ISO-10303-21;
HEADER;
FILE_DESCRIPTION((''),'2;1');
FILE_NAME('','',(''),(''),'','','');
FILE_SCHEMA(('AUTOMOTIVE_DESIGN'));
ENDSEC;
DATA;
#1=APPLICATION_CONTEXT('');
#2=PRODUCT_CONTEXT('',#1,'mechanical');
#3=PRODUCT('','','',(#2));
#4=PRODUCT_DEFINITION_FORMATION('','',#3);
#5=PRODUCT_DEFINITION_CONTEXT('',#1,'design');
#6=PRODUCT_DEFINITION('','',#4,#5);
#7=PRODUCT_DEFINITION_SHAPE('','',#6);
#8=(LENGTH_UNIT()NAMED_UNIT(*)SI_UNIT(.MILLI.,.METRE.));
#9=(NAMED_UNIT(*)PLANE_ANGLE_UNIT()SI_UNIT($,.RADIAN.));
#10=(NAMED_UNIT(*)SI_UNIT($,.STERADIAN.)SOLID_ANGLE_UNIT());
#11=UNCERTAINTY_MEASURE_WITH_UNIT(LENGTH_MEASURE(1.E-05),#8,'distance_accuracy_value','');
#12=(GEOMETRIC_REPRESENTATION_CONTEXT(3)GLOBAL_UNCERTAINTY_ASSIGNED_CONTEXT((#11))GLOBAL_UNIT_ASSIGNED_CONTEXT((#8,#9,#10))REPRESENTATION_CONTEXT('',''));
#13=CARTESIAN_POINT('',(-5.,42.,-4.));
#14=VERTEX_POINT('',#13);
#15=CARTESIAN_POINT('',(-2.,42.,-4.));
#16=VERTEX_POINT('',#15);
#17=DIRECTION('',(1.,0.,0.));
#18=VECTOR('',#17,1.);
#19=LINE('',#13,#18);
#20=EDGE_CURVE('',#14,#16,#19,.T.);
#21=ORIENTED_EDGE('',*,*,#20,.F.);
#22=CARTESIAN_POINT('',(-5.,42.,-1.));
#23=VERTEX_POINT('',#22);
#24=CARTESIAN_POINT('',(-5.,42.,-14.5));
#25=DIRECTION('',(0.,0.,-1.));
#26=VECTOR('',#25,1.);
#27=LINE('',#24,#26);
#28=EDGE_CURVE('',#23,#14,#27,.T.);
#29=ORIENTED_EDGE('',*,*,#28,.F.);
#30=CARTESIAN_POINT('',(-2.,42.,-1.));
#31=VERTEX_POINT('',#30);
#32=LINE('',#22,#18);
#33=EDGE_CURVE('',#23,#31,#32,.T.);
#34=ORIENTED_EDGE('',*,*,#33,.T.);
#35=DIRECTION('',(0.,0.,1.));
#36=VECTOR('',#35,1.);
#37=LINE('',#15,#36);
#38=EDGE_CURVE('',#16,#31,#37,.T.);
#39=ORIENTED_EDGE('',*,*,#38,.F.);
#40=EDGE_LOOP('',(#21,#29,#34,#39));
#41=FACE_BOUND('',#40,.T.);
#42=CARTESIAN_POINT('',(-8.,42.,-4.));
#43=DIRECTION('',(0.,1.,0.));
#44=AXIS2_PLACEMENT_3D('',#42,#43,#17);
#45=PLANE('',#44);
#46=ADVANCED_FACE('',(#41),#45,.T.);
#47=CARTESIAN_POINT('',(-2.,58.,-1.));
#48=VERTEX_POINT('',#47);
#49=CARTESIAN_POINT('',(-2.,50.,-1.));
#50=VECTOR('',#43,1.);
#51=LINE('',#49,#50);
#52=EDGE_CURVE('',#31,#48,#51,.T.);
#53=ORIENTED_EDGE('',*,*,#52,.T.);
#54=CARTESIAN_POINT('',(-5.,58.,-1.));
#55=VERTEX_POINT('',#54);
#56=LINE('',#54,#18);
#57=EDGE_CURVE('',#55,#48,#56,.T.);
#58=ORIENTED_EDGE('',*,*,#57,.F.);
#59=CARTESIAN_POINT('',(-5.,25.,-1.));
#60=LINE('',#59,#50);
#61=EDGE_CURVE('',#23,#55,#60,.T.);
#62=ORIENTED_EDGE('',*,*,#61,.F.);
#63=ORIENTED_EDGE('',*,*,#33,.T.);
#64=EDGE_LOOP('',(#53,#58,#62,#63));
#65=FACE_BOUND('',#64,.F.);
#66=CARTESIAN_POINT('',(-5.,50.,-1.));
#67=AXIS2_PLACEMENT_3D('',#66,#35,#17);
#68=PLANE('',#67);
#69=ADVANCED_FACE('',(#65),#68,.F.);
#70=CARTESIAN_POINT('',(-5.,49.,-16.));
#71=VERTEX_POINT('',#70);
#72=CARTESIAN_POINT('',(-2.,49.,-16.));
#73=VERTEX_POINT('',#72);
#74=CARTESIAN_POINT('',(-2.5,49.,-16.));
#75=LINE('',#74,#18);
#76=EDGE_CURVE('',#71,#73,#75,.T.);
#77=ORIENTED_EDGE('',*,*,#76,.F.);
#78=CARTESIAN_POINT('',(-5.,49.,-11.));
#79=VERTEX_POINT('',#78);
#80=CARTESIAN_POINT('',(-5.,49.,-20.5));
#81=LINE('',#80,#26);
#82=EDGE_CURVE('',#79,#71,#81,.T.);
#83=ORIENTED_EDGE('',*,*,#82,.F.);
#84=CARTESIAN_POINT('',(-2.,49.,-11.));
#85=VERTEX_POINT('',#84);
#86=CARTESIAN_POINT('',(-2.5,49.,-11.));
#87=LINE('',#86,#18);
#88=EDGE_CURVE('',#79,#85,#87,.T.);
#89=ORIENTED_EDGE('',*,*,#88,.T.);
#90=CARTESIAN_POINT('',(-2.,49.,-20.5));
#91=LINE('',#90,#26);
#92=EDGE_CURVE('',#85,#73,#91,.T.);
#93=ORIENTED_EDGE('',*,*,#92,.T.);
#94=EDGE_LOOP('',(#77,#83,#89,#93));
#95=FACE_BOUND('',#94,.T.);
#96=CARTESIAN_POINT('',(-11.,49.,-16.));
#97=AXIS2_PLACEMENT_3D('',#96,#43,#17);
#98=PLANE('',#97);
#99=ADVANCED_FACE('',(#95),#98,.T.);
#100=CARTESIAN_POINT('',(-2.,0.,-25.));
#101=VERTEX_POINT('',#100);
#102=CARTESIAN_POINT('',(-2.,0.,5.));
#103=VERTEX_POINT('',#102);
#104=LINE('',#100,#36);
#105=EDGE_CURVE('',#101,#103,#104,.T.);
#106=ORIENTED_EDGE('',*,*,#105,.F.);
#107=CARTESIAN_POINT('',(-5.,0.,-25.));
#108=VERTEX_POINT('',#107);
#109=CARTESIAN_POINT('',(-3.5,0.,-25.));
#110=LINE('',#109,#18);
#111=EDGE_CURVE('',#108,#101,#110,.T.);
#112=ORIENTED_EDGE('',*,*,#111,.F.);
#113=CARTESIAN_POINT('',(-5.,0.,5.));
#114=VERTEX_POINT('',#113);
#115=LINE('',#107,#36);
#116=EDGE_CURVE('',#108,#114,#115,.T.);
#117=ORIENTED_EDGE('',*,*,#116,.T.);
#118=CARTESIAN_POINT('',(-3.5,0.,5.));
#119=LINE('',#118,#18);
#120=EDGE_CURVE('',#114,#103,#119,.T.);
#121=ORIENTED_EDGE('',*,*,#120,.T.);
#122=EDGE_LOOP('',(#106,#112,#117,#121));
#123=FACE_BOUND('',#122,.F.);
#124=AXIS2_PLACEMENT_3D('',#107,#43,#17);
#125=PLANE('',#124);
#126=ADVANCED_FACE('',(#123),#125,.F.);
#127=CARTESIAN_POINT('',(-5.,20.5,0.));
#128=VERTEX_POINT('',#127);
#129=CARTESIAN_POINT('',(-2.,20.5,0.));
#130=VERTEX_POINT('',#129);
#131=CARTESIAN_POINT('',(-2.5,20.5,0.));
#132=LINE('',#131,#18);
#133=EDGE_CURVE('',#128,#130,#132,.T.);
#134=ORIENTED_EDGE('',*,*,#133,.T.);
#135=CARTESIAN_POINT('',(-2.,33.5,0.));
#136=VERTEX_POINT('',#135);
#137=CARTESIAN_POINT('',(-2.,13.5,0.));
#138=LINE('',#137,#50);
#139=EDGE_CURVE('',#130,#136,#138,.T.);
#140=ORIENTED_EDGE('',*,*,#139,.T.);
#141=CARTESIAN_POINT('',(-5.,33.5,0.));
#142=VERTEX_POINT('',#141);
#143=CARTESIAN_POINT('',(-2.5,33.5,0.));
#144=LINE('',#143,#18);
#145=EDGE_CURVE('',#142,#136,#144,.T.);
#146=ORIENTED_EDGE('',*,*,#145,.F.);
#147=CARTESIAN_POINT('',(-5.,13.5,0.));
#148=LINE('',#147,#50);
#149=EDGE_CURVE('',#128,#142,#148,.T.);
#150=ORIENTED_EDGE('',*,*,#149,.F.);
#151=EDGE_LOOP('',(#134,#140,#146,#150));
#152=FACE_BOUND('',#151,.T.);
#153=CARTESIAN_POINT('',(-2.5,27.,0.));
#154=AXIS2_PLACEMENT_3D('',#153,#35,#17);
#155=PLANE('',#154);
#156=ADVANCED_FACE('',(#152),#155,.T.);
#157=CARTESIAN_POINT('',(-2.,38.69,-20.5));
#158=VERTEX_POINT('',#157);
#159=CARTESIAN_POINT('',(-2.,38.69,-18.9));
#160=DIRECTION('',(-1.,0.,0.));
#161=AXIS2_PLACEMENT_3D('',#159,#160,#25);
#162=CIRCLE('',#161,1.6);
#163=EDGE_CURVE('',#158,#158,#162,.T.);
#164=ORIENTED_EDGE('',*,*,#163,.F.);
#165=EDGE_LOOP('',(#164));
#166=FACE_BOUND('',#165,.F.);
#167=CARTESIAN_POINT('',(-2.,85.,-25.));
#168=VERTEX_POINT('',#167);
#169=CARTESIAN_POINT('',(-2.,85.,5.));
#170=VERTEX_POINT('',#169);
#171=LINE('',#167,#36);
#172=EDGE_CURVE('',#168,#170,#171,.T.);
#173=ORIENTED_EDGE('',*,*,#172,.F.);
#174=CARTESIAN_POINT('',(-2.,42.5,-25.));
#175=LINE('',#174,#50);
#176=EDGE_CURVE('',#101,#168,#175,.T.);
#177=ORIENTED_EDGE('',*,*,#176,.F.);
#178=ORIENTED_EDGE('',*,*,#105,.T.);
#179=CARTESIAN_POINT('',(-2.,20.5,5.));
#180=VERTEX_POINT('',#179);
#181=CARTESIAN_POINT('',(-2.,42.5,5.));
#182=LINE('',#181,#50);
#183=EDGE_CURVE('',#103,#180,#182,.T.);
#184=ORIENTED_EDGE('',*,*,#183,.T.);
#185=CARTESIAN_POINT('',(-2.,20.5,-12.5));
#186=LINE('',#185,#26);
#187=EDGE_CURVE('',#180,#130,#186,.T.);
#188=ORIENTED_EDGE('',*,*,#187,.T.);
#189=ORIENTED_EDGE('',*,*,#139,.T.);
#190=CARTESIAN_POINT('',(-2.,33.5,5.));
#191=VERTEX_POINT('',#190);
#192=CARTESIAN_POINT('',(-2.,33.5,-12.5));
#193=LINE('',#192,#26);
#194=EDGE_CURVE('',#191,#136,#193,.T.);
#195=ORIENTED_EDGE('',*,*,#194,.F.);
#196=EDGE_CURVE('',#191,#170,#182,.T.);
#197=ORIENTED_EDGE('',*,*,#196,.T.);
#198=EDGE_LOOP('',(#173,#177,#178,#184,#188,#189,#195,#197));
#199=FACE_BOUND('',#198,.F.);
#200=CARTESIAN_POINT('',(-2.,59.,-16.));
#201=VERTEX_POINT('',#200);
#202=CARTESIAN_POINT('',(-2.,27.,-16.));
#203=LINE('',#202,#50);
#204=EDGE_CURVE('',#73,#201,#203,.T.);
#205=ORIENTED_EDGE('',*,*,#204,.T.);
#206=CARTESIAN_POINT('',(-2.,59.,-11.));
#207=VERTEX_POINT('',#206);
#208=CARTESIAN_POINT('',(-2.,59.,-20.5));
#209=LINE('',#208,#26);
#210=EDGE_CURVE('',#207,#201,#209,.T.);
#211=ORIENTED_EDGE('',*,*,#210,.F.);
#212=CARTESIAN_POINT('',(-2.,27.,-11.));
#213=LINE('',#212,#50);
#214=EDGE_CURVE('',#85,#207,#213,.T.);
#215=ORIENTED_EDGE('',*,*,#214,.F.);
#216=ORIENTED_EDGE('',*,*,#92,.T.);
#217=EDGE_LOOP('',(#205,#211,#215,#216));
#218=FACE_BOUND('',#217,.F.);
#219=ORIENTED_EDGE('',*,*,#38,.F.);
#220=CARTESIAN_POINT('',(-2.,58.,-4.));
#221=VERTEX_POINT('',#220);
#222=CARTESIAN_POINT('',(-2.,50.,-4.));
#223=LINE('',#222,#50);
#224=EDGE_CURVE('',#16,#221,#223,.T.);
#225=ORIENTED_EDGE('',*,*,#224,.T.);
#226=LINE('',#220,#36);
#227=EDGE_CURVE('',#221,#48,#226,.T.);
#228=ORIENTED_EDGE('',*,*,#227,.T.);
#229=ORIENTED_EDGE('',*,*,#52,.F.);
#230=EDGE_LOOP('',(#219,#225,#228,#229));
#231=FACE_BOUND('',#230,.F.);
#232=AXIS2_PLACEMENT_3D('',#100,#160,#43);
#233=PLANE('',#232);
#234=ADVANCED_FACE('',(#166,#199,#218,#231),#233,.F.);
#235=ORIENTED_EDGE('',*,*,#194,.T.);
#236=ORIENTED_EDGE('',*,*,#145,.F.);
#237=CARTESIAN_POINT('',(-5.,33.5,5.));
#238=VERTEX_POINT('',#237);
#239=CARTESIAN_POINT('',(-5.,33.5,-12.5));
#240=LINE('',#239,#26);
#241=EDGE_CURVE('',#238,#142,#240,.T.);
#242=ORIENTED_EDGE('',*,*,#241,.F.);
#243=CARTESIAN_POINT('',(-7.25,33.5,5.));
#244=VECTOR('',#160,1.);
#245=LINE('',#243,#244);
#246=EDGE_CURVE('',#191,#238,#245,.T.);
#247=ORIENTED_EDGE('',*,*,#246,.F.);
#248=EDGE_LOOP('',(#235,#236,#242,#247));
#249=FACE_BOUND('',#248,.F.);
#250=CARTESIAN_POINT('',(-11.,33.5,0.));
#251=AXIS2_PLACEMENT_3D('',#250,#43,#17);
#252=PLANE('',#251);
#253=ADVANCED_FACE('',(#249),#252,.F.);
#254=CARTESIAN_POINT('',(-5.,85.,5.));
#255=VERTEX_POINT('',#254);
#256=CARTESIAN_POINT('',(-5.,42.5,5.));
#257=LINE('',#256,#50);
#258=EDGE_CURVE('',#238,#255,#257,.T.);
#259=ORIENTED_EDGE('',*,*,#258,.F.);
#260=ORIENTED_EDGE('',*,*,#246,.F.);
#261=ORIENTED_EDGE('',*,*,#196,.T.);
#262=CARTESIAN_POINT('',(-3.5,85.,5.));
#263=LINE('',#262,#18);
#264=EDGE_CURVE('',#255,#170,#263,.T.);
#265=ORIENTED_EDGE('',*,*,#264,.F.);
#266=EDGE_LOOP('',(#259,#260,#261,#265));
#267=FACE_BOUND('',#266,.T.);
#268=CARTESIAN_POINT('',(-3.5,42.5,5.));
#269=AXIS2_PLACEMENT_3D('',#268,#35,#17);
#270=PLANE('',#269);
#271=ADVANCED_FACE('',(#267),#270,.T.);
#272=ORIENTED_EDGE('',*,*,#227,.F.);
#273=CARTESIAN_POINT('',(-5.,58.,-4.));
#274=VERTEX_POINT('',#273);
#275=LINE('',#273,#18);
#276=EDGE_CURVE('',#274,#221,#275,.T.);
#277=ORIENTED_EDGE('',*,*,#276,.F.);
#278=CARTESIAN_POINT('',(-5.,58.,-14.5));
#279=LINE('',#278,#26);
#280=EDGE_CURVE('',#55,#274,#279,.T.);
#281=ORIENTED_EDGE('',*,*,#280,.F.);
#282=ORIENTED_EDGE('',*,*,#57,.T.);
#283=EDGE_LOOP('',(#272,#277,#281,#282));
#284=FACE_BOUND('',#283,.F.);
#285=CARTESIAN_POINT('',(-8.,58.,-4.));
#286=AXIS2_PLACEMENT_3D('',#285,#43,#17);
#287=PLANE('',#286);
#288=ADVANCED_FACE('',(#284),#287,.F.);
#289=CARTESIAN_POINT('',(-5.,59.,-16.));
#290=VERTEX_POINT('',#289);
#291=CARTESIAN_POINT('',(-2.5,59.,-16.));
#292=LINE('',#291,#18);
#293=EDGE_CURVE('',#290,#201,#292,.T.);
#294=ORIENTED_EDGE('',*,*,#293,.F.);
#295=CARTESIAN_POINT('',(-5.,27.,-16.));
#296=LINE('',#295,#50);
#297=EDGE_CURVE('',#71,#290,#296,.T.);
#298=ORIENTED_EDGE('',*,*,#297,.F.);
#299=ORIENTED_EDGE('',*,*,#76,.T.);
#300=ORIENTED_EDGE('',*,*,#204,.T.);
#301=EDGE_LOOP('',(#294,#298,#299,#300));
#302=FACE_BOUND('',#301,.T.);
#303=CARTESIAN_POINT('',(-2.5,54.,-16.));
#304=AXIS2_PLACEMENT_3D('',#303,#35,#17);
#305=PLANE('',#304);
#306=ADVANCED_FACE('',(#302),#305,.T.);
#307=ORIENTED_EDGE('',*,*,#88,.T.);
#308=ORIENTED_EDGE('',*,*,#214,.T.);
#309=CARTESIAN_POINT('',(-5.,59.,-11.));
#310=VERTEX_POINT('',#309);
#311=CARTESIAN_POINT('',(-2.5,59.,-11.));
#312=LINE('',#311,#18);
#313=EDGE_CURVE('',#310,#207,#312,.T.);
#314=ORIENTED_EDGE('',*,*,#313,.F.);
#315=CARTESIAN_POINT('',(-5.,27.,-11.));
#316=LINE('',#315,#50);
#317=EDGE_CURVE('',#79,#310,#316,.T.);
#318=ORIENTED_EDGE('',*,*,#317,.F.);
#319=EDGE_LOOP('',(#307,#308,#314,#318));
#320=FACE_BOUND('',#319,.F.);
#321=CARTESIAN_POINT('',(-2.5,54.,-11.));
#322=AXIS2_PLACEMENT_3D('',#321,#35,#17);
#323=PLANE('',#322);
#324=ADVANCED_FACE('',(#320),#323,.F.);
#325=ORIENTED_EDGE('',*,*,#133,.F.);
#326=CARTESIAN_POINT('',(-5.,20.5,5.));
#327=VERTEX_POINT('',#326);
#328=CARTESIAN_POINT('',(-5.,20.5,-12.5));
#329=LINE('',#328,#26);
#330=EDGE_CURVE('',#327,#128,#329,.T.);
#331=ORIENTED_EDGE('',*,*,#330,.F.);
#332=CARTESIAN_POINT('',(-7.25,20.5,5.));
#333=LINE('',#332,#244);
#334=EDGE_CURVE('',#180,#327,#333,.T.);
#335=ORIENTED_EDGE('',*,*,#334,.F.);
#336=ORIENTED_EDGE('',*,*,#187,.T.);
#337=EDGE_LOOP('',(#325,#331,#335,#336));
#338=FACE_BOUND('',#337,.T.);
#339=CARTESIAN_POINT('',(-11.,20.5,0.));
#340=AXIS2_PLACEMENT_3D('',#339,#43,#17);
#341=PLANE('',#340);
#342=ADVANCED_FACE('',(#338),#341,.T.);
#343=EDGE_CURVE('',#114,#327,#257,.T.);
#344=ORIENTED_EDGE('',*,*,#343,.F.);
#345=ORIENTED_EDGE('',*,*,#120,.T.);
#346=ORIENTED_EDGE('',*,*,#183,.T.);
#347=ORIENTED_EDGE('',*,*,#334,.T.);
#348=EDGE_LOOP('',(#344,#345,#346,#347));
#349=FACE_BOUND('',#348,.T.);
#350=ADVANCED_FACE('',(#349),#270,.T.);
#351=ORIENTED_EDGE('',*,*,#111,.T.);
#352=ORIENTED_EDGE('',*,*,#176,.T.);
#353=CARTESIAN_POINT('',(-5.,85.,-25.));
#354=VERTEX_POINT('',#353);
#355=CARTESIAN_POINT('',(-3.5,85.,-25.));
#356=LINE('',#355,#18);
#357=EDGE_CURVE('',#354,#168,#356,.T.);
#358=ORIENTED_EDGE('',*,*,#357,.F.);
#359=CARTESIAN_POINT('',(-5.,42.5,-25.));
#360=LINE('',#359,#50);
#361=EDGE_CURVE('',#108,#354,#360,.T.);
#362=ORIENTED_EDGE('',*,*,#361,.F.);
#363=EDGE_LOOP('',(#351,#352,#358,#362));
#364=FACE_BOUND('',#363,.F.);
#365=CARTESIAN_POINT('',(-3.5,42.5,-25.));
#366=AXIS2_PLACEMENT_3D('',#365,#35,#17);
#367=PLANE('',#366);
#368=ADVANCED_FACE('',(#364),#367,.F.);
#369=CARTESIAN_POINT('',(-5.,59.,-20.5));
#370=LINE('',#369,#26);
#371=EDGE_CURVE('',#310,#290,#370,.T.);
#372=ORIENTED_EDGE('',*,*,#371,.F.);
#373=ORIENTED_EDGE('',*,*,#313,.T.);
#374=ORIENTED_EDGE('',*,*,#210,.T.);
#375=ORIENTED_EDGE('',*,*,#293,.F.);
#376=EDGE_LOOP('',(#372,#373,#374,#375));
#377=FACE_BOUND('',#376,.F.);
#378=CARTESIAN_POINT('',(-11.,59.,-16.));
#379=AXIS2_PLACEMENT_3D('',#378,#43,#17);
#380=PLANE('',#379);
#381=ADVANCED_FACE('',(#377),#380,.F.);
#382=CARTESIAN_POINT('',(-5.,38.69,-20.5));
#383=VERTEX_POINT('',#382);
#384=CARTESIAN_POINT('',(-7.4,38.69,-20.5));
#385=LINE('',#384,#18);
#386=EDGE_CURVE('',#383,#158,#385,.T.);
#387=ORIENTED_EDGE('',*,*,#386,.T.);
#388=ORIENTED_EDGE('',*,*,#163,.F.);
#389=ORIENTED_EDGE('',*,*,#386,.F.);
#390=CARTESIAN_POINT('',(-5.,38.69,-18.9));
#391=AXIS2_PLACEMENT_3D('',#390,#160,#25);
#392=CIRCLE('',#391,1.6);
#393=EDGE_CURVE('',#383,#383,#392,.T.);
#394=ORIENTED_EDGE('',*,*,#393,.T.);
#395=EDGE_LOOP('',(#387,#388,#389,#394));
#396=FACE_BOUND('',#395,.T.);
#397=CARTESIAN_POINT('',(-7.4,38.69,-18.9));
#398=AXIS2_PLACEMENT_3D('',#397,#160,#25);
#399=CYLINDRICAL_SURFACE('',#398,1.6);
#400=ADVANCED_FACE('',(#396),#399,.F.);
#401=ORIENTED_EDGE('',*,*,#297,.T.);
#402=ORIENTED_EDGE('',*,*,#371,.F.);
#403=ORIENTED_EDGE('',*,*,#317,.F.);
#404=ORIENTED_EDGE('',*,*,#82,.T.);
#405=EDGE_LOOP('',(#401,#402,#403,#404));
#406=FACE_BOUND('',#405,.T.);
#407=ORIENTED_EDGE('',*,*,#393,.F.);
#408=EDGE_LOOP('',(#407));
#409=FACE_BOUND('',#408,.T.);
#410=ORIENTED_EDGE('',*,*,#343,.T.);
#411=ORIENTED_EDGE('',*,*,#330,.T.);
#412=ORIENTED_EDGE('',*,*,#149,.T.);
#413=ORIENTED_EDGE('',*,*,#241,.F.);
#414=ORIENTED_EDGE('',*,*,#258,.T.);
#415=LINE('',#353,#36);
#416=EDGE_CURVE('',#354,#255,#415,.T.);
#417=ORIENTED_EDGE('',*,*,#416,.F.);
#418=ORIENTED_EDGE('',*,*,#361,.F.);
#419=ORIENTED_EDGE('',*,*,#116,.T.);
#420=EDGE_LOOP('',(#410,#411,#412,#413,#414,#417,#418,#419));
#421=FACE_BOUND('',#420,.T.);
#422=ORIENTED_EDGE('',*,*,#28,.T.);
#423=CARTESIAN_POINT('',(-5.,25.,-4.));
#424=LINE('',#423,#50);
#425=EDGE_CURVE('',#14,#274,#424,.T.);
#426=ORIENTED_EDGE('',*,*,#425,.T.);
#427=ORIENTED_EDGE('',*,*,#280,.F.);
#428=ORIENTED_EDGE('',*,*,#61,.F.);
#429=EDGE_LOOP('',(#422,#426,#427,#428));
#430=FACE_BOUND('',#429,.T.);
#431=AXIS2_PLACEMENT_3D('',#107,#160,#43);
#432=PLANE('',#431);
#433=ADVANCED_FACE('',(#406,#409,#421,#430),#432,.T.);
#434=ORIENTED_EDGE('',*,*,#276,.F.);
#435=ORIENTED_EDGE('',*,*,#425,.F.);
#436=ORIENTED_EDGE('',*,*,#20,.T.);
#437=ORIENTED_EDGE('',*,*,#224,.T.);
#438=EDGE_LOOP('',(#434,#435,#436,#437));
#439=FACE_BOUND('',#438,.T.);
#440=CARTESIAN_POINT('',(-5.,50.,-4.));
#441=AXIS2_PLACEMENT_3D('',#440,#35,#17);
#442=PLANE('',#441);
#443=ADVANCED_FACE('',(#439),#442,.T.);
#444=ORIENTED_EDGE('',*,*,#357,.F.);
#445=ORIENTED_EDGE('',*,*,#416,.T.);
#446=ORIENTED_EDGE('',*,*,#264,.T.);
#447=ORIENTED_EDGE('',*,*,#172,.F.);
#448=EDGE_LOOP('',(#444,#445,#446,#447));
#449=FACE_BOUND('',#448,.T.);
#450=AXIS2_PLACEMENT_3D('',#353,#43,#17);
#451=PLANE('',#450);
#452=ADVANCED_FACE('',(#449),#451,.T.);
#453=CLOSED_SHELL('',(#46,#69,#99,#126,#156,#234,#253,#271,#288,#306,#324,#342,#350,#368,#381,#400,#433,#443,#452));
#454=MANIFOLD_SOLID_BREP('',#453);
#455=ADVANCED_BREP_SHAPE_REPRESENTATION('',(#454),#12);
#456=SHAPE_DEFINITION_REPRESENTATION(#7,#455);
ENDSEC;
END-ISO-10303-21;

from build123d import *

# Parameters (mm, degrees)
CYLINDER026_R           = 1.6
CYLINDER026_DEPTH       = 10
CYLINDER026_PITCH_ANGLE = 90
BOX008_W                = 17
BOX008_H                = 10
BOX008_DEPTH            = 5
BOX019_W                = 6
BOX019_H                = 16
BOX019_DEPTH            = 3
BOX007_W                = 17
BOX007_H                = 13
BOX007_DEPTH            = 10
BOX002_W                = 3
BOX002_H                = 85
BOX002_DEPTH            = 30


with BuildPart() as front_hole:
    # Cylinder026 → Cylinder026 (new body)
    with BuildSketch(Plane.XY):
        Circle(CYLINDER026_R)
    extrude(amount=CYLINDER026_DEPTH)


with BuildPart() as front_hole_1:
    # Cylinder026 pitch: moved
    add(front_hole.part.rotate(Axis((0, 0, 0), (0, 1, 0)), CYLINDER026_PITCH_ANGLE))


with BuildPart() as front_hole_2:
    # Cylinder026 placement: moved
    add(front_hole_1.part.moved(Location((-7.4, 38.69, -18.9))))


with BuildPart() as usb_connector002:
    # Box008 → Box008 (new body)
    with BuildSketch(Plane(origin=(-11, 49, -16), x_dir=(1, 0, 0), z_dir=(0, 0, 1))):
        with Locations((8.5, 5)):
            Rectangle(BOX008_W, BOX008_H)
    extrude(amount=BOX008_DEPTH)


with BuildPart() as sd_card_reader:
    # Box019 → Box019 (new body)
    with BuildSketch(Plane(origin=(-8, 42, -4), x_dir=(1, 0, 0), z_dir=(0, 0, 1))):
        with Locations((3, 8)):
            Rectangle(BOX019_W, BOX019_H)
    extrude(amount=BOX019_DEPTH)


with BuildPart() as fusion:
    # Box007 → Box007 (new body)
    with BuildSketch(Plane(origin=(-11, 20.5, 0), x_dir=(1, 0, 0), z_dir=(0, 0, 1))):
        with Locations((8.5, 6.5)):
            Rectangle(BOX007_W, BOX007_H)
    extrude(amount=BOX007_DEPTH)

    # Fusion: union USB connector002, SD card reader
    add(usb_connector002.part)
    add(sd_card_reader.part)


with BuildPart() as final_front:
    # Box002 → Box002 (new body)
    with BuildSketch(Plane(origin=(-5, 0, -25), x_dir=(1, 0, 0), z_dir=(0, 0, 1))):
        with Locations((1.5, 42.5)):
            Rectangle(BOX002_W, BOX002_H)
    extrude(amount=BOX002_DEPTH)

    # Cut: cut Fusion
    add(fusion.part, mode=Mode.SUBTRACT)

    # Cut027: cut front hole
    add(front_hole_2.part, mode=Mode.SUBTRACT)


solid = final_front.part
